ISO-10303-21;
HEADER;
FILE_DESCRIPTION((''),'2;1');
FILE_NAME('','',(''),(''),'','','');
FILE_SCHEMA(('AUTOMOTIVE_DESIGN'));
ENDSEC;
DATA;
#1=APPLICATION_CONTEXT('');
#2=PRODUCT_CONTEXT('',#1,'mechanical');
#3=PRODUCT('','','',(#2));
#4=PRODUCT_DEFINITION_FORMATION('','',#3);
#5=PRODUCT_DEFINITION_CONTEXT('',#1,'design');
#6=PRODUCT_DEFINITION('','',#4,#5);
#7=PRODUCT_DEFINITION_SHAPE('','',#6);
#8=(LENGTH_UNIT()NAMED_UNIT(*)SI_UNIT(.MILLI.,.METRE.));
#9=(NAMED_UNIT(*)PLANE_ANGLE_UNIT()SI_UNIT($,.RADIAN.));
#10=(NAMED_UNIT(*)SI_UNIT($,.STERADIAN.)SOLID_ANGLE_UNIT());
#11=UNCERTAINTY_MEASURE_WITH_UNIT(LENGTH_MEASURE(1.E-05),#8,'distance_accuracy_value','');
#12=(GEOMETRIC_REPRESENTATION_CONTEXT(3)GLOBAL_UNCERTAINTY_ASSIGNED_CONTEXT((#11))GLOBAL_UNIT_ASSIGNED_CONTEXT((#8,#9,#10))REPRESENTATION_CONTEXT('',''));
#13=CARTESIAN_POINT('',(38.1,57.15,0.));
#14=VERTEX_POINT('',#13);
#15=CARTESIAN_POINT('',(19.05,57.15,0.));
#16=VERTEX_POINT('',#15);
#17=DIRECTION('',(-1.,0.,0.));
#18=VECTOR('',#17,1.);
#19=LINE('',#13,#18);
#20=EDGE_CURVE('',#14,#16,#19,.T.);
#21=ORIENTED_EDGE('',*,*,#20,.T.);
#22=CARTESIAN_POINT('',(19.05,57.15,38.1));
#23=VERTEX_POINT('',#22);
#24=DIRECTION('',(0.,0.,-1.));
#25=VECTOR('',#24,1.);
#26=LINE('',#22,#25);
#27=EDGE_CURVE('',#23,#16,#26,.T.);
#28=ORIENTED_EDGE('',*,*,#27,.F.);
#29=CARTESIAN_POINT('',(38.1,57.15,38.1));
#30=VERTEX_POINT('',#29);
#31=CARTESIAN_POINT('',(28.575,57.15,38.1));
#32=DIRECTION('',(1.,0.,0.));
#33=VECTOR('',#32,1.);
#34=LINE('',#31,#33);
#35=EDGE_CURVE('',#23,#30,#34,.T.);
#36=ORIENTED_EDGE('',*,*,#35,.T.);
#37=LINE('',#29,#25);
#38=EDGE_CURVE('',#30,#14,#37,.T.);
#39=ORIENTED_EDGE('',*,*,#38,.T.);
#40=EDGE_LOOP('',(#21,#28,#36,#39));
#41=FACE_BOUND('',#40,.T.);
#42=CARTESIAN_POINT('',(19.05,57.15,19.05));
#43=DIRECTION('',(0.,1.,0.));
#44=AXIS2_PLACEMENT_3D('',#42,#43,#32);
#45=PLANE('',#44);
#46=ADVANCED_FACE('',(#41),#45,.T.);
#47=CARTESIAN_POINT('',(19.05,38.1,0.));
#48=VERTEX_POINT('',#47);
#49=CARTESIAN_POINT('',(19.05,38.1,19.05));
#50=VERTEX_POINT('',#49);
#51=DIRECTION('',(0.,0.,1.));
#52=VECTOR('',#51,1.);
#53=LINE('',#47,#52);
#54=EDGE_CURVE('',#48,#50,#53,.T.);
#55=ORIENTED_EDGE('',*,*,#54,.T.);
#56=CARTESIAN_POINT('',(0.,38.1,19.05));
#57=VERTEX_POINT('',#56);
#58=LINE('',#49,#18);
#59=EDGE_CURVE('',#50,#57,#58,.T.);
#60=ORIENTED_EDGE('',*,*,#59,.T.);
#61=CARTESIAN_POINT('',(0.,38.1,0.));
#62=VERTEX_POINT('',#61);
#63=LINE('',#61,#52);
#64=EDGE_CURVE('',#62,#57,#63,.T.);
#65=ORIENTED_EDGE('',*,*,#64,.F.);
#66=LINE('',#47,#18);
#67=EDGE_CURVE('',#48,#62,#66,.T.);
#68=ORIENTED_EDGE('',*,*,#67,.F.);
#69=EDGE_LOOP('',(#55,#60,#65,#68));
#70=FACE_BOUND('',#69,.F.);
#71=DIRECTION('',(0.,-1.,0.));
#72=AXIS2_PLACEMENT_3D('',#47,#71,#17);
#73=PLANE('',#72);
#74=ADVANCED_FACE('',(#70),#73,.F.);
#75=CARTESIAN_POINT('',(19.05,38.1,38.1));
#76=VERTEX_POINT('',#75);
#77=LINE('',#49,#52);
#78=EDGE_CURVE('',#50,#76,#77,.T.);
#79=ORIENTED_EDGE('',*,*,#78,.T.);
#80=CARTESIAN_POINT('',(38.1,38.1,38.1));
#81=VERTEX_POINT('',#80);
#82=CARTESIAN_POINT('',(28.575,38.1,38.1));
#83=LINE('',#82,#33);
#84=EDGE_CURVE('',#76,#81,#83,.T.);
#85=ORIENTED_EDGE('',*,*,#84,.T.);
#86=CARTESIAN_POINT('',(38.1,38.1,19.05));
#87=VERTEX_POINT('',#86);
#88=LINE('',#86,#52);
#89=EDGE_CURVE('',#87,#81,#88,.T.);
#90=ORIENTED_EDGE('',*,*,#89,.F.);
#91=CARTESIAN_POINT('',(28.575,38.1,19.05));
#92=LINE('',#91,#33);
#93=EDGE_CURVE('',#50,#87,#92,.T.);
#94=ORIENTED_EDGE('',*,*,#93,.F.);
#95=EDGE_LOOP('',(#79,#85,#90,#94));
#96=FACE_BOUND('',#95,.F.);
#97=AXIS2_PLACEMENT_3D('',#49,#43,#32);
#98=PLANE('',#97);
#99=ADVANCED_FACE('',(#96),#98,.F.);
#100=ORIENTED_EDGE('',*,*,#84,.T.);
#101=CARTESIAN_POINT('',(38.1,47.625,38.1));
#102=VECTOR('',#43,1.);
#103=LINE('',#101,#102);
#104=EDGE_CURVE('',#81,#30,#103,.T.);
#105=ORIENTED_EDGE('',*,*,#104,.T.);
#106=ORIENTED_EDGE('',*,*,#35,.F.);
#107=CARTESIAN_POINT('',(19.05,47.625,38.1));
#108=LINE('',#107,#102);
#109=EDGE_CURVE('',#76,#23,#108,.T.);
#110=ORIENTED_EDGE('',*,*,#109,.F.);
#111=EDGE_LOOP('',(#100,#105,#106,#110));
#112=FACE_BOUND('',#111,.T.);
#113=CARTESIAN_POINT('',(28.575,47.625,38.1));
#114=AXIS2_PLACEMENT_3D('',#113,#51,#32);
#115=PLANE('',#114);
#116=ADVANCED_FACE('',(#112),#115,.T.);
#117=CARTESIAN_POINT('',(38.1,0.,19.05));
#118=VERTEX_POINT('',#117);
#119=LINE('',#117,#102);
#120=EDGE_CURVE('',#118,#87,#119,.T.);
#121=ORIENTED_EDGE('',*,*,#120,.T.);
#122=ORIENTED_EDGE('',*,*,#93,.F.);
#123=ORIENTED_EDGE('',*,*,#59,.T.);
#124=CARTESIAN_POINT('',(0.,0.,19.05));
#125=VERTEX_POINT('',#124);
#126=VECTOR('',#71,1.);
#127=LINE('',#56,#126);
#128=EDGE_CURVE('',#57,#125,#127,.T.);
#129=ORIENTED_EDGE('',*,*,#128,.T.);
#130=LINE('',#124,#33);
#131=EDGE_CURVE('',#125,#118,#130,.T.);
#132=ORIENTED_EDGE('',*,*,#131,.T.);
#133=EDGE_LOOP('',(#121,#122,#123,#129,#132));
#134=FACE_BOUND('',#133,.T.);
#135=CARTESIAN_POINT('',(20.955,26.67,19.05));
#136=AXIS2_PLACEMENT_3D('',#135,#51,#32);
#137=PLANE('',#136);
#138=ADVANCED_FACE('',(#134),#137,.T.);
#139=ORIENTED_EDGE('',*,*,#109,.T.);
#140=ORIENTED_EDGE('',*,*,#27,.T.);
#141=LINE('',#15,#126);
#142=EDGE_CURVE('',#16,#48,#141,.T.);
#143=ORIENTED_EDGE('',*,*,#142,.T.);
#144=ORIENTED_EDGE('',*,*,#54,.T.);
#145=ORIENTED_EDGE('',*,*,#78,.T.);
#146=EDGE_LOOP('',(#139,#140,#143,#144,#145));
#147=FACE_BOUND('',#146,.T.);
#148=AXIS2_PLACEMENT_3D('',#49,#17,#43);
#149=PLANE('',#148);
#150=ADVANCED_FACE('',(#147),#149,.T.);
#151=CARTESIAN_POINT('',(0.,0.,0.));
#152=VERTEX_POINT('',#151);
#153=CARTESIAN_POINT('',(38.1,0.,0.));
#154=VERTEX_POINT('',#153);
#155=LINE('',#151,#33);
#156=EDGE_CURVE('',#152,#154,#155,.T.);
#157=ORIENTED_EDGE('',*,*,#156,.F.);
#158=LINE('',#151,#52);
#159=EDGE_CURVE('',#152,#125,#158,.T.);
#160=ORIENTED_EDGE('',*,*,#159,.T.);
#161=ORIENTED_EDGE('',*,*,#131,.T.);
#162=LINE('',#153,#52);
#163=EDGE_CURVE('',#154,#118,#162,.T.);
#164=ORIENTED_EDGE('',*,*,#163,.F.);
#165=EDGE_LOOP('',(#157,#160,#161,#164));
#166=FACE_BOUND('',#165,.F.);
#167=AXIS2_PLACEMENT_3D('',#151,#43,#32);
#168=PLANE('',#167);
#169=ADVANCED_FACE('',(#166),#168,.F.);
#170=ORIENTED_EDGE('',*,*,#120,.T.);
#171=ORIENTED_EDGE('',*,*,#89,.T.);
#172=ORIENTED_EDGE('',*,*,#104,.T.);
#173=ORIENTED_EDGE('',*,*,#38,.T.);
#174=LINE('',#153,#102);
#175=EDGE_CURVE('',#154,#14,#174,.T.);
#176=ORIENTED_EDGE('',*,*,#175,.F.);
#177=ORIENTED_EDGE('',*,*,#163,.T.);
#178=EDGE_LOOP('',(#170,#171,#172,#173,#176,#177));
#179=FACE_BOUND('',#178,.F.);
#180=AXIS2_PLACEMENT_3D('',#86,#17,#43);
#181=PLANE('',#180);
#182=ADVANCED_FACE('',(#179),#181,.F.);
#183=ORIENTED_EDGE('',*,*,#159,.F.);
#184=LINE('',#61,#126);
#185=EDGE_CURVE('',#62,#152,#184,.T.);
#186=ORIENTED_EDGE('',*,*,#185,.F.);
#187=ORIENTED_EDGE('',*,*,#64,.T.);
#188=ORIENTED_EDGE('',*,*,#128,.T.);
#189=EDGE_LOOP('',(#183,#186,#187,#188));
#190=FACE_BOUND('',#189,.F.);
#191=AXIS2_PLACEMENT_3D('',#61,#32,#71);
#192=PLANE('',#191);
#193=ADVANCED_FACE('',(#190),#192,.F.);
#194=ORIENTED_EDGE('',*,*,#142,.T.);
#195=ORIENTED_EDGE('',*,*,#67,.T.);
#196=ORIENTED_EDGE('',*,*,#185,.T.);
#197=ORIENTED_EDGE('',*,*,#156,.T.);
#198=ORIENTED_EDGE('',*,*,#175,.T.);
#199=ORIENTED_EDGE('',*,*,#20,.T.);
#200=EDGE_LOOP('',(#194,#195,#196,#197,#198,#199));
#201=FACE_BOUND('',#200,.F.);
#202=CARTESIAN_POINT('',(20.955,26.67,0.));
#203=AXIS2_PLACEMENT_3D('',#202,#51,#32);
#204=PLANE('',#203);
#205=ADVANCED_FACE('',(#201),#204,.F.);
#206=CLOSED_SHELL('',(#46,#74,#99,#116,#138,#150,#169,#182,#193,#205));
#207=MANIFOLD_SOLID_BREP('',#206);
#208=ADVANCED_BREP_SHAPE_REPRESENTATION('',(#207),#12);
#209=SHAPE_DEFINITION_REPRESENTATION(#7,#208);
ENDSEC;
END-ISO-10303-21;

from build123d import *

# Parameters (mm, degrees)
F1_DEPTH = 19.05
F2_W     = 19.05
F2_H     = 19.05
F3_DEPTH = 19.05


with BuildPart() as f1:
    # F0 (on Top) → F1 (new body)
    with BuildSketch(Plane.XY):
        Polygon((19.05, 38.1), (0, 38.1), (0, 0), (38.1, 0), (38.1, 38.1), (38.1, 57.15), (19.05, 57.15), align=None)
    extrude(amount=F1_DEPTH)

    # F2 (on face) → F3 (join)
    with BuildSketch(Plane.XY.offset(19.05)):
        with Locations((28.575, 47.625)):
            Rectangle(F2_W, F2_H)
    extrude(amount=F3_DEPTH)


solid = f1.part
